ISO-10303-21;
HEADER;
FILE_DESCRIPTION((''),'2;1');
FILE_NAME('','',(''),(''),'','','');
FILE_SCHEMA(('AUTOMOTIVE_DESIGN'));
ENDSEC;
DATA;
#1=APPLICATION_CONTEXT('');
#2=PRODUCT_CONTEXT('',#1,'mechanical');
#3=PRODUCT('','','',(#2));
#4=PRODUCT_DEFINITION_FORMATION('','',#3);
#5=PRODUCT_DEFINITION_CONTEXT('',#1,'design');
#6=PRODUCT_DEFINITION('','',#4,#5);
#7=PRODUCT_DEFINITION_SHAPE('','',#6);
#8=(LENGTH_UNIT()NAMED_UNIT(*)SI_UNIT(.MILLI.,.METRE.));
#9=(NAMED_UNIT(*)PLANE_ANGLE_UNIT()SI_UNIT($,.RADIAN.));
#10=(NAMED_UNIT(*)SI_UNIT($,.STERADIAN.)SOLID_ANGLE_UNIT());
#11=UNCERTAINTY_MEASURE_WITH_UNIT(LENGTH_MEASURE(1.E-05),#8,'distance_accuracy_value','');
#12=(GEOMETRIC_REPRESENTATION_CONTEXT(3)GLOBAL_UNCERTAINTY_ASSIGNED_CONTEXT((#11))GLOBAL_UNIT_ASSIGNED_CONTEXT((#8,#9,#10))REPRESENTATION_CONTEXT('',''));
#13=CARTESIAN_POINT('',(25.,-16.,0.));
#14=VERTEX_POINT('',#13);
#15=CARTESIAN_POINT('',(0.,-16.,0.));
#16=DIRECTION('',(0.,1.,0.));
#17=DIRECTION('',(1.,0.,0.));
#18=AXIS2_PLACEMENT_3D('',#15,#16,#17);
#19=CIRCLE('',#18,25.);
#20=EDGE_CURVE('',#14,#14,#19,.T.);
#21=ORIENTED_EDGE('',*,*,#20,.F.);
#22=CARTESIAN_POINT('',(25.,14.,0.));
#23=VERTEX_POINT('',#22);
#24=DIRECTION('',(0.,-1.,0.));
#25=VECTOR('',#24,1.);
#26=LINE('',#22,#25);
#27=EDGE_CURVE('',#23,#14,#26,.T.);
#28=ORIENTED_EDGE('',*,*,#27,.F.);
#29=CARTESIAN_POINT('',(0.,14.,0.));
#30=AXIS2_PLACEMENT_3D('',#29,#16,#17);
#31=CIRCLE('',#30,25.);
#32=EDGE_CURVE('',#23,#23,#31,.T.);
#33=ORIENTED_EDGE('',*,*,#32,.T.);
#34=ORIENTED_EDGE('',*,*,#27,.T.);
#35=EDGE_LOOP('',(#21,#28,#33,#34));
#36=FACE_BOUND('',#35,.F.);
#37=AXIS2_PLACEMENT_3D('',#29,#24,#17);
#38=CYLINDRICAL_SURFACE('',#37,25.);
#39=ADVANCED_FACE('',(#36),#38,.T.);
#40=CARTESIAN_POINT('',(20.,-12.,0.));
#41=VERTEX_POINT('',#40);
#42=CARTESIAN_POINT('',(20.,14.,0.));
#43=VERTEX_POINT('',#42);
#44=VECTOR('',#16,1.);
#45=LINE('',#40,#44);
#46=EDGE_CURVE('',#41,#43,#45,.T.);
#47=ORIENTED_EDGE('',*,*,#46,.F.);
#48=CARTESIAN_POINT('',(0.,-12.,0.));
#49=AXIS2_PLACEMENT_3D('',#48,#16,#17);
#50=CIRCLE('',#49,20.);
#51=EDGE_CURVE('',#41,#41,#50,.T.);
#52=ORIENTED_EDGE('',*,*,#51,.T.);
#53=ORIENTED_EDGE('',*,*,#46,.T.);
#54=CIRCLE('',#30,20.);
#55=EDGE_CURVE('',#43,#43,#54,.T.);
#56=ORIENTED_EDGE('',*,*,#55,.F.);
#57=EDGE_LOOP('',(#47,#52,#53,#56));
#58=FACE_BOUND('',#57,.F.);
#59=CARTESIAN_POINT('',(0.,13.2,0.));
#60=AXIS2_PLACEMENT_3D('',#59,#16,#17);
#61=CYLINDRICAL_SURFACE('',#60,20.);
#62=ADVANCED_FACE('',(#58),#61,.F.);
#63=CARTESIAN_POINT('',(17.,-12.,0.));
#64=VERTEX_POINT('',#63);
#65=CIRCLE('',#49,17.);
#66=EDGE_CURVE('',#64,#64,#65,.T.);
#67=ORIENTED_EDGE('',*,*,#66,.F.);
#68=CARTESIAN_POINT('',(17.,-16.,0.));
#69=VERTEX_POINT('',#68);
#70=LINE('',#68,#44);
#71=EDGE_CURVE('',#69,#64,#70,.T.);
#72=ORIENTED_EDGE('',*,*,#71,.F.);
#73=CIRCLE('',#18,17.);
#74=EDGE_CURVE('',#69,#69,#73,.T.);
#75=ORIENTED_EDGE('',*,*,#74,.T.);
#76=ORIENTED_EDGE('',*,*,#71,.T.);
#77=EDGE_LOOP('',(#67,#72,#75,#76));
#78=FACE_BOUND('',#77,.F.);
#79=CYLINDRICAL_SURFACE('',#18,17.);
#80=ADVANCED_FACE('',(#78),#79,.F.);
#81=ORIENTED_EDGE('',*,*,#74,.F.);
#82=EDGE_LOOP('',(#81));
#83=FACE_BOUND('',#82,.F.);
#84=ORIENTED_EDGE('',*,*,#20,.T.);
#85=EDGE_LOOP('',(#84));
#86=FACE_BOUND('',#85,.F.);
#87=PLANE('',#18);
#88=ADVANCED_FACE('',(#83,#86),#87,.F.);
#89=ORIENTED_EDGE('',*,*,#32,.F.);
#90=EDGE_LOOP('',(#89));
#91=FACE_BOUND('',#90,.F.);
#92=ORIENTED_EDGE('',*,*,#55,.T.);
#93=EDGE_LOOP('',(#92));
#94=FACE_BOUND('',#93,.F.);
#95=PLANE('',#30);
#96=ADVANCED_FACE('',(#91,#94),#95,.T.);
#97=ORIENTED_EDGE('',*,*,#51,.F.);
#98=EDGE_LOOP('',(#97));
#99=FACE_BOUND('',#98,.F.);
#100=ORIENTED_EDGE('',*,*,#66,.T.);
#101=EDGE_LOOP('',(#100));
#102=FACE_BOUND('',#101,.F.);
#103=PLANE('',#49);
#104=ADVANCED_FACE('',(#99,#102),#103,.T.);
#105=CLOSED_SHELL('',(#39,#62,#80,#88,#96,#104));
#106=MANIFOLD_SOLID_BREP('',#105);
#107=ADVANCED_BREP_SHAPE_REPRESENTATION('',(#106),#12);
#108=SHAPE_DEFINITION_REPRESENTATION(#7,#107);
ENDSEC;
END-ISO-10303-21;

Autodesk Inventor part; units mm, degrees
ref_plane "YZ Plane" through (0, 0, 0) normal (1, 0, 0) x (0, 1, 0)
ref_plane "XZ Plane" through (0, 0, 0) normal (0, 1, 0) x (-1, 0, 0)
ref_plane "XY Plane" through (0, 0, 0) normal (0, 0, 1) x (1, 0, 0)
sketch "Sketch5" plane through (0, 0, 0) normal (0, 0, 1) x (1, 0, 0)
  line L0 (20, 14) -> (25, 14)
  line L1 (25, 14) -> (25, -16)
  line L2 (25, -16) -> (17, -16)
  line L3 (17, -16) -> (17, -12)
  line L4 (17, -12) -> (20, -12)
  line L5 (20, -12) -> (20, 3)
  line L6 (20, 4.6) -> (21, 4.6)
  line L7 (21, 4.6) -> (21, 3)
  line L8 (21, 3) -> (20, 3)
  line L9 (20, 3) -> (20, 4.6)
  line L10 (20, 13.2) -> (21, 13.2)
  line L11 (21, 13.2) -> (21, 11.6)
  line L12 (21, 11.6) -> (20, 11.6)
  line L13 (20, 11.6) -> (20, 13.2)
  line L14 (20, 13.2) -> (20, 14)
  line L15 (20, 11.6) -> (20, 13.2) construction
  line L16 (20, 4.6) -> (20, 11.6)
  line L17 (20, 3) -> (20, 4.6) construction
  line L18 (0, 0) -> (0, 17.2013)
  point P0 (20, 0)
  point P1 (20, 3.8)
  point P2 (20, 12.4)
  dimension "d12" = 30
  dimension "d13" = 4
  dimension "d14" = 3
  dimension "d15" = 25
  dimension "d16" = 5
  dimension "d17" = 1.6
  dimension "d19" = 15
  dimension "d20" = 1
  dimension "d21" = 1
  dimension "d22" = 1.6
  dimension "d23" = 7
  dimension "d24" = 14
revolve "Revolution1" add sketch "Sketch5" angle 360 about axis through (0, 0, 0) along (0, 1, 0)
equation "\"d21\" = d20"
equation "\"d22\" = d17"
properties part number "Седло для сальника"
